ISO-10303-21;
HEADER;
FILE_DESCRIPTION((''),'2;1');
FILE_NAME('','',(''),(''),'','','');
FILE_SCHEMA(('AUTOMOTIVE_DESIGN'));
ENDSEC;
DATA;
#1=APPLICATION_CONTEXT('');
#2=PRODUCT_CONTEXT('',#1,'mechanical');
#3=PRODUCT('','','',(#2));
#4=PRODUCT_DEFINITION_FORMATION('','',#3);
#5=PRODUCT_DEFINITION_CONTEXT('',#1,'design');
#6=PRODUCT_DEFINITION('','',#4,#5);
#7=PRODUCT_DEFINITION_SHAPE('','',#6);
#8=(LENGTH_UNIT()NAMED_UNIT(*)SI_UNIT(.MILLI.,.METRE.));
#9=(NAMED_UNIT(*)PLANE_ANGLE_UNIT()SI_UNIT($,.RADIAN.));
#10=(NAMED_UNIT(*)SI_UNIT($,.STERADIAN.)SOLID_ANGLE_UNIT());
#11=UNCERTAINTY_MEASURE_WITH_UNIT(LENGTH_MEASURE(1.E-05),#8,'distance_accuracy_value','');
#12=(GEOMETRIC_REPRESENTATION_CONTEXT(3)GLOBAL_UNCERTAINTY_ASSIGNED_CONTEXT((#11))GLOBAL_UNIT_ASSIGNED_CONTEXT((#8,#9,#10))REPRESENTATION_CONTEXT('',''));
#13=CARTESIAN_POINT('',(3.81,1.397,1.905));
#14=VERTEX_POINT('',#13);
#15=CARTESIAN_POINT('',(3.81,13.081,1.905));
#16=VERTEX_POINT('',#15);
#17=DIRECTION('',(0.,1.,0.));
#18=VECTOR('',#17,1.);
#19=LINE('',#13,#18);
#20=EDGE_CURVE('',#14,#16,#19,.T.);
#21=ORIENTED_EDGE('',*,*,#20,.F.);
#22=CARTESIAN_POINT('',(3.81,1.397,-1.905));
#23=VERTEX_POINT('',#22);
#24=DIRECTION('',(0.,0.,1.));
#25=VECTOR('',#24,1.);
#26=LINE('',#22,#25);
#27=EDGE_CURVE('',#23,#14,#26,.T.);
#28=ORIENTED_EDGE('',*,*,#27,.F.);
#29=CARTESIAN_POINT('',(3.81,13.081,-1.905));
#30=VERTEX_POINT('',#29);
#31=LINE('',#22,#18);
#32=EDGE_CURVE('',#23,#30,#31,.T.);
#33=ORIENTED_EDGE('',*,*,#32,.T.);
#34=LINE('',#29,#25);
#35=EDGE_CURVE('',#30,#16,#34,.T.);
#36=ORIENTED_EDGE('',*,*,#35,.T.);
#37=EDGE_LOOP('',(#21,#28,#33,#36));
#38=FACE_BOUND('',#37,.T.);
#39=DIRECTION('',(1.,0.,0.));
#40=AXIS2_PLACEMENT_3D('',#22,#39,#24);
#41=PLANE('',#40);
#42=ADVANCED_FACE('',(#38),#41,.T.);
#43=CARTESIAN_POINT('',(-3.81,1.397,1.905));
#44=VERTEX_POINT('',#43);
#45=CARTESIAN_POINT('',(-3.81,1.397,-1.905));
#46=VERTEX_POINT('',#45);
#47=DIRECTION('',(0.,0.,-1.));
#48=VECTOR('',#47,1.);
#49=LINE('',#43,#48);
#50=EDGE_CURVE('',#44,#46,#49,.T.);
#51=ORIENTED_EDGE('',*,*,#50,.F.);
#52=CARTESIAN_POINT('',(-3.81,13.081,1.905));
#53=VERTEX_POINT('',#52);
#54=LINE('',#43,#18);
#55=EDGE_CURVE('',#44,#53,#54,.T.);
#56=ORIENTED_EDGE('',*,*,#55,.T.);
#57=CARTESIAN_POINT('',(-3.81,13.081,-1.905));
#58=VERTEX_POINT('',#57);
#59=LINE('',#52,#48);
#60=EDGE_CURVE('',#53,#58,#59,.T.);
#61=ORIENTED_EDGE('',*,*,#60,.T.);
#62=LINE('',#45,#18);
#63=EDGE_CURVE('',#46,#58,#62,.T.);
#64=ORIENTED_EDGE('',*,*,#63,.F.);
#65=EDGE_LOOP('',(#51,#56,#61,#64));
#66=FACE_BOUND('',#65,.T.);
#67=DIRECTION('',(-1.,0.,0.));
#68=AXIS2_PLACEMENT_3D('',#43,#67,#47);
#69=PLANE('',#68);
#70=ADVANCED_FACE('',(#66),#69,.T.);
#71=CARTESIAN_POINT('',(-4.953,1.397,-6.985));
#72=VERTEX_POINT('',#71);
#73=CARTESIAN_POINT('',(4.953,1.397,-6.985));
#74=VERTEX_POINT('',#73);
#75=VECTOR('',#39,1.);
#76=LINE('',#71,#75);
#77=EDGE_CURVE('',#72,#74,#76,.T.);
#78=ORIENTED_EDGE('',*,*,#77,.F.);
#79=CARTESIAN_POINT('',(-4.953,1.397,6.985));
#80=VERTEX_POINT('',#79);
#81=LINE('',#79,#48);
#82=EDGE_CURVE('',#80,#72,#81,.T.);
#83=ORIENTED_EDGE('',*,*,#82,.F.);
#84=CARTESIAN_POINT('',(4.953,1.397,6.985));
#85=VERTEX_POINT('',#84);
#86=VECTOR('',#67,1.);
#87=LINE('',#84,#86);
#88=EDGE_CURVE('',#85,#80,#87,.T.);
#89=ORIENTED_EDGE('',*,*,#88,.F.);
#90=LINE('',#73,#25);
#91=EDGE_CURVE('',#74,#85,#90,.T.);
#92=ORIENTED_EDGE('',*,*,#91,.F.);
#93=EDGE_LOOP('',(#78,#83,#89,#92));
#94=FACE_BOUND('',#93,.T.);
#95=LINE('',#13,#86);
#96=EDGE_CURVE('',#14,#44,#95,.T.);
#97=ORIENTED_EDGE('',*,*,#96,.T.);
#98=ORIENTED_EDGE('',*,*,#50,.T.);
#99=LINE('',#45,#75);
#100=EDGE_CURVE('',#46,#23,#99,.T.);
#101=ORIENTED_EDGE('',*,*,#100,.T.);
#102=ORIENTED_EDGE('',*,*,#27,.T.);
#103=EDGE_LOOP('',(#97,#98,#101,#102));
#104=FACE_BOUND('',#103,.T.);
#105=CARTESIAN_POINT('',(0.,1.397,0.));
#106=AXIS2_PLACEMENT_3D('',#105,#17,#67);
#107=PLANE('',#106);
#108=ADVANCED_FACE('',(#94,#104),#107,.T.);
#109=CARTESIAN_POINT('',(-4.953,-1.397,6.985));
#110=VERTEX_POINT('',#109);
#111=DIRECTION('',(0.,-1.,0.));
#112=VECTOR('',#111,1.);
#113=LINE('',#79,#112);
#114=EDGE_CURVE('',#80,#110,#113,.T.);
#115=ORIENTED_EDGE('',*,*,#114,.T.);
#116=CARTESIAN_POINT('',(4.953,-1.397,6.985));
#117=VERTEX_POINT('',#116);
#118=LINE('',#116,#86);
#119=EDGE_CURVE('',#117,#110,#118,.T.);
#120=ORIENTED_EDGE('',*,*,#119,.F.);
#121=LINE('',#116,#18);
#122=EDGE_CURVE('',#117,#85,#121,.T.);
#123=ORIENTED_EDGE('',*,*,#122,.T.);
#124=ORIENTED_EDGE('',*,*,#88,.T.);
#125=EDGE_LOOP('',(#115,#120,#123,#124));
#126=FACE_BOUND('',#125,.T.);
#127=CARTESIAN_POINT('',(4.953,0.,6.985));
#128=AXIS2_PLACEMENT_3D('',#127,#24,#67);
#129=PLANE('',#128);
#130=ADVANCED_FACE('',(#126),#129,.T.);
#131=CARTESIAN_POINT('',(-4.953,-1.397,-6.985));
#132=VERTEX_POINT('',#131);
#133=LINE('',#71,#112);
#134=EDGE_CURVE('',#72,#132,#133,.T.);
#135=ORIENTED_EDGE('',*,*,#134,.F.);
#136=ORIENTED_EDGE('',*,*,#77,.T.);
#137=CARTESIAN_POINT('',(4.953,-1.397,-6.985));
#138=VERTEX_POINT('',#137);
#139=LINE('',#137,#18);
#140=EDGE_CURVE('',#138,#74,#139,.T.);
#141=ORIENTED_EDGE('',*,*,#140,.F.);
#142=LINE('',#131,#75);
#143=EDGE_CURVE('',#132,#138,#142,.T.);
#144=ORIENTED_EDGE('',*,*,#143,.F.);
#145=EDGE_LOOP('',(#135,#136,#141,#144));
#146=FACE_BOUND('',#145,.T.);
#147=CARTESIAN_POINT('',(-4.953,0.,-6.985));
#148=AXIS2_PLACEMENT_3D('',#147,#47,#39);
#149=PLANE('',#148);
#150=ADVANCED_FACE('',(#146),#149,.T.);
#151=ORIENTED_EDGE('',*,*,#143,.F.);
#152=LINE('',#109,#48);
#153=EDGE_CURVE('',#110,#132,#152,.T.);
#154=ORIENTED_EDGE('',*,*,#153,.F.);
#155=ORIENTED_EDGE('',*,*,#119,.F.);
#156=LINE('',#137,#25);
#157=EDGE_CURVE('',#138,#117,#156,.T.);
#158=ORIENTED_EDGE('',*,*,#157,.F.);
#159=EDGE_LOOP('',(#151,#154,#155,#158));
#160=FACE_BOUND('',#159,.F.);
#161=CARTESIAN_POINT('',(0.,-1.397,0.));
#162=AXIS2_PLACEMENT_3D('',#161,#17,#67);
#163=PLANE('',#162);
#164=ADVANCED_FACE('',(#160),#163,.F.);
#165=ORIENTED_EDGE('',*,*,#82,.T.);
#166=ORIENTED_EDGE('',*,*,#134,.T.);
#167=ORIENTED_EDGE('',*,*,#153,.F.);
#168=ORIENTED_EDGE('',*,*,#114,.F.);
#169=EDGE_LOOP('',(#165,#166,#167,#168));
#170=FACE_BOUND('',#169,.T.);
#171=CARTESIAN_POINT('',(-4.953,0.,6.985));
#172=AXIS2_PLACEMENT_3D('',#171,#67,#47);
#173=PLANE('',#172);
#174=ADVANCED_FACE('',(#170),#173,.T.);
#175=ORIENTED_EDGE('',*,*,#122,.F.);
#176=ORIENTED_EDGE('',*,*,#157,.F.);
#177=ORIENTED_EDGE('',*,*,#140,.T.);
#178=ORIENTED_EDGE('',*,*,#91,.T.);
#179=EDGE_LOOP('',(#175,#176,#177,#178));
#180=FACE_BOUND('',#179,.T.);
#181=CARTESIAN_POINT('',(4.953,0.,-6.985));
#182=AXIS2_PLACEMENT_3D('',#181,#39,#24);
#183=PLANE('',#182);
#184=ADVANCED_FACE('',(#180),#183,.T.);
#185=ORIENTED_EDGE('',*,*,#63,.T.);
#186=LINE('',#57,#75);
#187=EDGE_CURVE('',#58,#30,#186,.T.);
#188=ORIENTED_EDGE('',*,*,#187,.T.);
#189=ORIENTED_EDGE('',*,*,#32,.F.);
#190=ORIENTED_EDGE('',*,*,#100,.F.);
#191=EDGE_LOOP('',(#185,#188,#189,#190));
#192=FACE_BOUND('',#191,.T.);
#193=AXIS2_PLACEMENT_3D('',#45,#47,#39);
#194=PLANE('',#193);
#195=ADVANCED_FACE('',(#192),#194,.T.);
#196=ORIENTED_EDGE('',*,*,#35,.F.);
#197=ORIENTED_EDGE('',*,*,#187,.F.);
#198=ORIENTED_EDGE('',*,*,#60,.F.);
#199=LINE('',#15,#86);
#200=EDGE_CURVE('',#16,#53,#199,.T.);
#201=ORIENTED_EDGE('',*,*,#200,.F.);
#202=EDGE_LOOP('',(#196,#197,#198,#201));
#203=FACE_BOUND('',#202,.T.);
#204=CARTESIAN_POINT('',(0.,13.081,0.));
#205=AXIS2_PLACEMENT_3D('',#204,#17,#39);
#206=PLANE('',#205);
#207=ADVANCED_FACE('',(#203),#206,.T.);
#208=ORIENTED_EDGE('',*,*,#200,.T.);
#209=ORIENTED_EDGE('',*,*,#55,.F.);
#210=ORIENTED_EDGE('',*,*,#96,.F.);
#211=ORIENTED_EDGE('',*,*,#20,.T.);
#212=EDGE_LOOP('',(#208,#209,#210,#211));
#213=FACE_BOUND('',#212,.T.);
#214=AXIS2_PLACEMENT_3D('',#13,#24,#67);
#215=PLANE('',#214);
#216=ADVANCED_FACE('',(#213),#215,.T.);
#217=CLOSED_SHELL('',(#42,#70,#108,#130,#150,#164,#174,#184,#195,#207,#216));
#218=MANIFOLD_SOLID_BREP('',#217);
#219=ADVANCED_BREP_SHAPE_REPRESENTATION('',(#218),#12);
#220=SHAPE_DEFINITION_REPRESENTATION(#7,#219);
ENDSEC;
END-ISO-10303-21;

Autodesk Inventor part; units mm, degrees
ref_plane "YZ Plane" through (0, 0, 0) normal (1, 0, 0) x (0, 1, 0)
ref_plane "XZ Plane" through (0, 0, 0) normal (0, 1, 0) x (-1, 0, 0)
ref_plane "XY Plane" through (0, 0, 0) normal (0, 0, 1) x (1, 0, 0)
sketch "Sketch1" plane through (0, 0, 0) normal (0, 1, 0) x (-1, 0, 0)
  line L0 (-4.953, 6.985) -> (4.953, 6.985)
  line L1 (4.953, 6.985) -> (4.953, -6.985)
  line L2 (4.953, -6.985) -> (-4.953, -6.985)
  line L3 (-4.953, -6.985) -> (-4.953, 6.985)
  line L4 (-4.953, 6.985) -> (4.953, -6.985) construction
  line L5 (4.953, 6.985) -> (-4.953, -6.985) construction
  point P0 (0, 0)
  dimension "d0" = 13.97
  dimension "d1" = 9.906
extrude "Extrusion1" add sketch "Sketch1" along normal mid plane 2.794
sketch "Sketch2" plane through (0, 1.397, 0) normal (0, 1, 0) x (1, 0, 0)
  line L0 (3.81, -1.905) -> (-3.81, -1.905)
  line L1 (-3.81, -1.905) -> (-3.81, 1.905)
  line L2 (-3.81, 1.905) -> (3.81, 1.905)
  line L3 (3.81, 1.905) -> (3.81, -1.905)
  line L4 (3.81, -1.905) -> (-3.81, 1.905) construction
  line L5 (-3.81, -1.905) -> (3.81, 1.905) construction
  point P0 (0, 0)
  dimension "d4" = 3.81
  dimension "d5" = 7.62
extrude "Extrusion2" add sketch "Sketch2" along normal blind 11.684
properties part number "mirror"
